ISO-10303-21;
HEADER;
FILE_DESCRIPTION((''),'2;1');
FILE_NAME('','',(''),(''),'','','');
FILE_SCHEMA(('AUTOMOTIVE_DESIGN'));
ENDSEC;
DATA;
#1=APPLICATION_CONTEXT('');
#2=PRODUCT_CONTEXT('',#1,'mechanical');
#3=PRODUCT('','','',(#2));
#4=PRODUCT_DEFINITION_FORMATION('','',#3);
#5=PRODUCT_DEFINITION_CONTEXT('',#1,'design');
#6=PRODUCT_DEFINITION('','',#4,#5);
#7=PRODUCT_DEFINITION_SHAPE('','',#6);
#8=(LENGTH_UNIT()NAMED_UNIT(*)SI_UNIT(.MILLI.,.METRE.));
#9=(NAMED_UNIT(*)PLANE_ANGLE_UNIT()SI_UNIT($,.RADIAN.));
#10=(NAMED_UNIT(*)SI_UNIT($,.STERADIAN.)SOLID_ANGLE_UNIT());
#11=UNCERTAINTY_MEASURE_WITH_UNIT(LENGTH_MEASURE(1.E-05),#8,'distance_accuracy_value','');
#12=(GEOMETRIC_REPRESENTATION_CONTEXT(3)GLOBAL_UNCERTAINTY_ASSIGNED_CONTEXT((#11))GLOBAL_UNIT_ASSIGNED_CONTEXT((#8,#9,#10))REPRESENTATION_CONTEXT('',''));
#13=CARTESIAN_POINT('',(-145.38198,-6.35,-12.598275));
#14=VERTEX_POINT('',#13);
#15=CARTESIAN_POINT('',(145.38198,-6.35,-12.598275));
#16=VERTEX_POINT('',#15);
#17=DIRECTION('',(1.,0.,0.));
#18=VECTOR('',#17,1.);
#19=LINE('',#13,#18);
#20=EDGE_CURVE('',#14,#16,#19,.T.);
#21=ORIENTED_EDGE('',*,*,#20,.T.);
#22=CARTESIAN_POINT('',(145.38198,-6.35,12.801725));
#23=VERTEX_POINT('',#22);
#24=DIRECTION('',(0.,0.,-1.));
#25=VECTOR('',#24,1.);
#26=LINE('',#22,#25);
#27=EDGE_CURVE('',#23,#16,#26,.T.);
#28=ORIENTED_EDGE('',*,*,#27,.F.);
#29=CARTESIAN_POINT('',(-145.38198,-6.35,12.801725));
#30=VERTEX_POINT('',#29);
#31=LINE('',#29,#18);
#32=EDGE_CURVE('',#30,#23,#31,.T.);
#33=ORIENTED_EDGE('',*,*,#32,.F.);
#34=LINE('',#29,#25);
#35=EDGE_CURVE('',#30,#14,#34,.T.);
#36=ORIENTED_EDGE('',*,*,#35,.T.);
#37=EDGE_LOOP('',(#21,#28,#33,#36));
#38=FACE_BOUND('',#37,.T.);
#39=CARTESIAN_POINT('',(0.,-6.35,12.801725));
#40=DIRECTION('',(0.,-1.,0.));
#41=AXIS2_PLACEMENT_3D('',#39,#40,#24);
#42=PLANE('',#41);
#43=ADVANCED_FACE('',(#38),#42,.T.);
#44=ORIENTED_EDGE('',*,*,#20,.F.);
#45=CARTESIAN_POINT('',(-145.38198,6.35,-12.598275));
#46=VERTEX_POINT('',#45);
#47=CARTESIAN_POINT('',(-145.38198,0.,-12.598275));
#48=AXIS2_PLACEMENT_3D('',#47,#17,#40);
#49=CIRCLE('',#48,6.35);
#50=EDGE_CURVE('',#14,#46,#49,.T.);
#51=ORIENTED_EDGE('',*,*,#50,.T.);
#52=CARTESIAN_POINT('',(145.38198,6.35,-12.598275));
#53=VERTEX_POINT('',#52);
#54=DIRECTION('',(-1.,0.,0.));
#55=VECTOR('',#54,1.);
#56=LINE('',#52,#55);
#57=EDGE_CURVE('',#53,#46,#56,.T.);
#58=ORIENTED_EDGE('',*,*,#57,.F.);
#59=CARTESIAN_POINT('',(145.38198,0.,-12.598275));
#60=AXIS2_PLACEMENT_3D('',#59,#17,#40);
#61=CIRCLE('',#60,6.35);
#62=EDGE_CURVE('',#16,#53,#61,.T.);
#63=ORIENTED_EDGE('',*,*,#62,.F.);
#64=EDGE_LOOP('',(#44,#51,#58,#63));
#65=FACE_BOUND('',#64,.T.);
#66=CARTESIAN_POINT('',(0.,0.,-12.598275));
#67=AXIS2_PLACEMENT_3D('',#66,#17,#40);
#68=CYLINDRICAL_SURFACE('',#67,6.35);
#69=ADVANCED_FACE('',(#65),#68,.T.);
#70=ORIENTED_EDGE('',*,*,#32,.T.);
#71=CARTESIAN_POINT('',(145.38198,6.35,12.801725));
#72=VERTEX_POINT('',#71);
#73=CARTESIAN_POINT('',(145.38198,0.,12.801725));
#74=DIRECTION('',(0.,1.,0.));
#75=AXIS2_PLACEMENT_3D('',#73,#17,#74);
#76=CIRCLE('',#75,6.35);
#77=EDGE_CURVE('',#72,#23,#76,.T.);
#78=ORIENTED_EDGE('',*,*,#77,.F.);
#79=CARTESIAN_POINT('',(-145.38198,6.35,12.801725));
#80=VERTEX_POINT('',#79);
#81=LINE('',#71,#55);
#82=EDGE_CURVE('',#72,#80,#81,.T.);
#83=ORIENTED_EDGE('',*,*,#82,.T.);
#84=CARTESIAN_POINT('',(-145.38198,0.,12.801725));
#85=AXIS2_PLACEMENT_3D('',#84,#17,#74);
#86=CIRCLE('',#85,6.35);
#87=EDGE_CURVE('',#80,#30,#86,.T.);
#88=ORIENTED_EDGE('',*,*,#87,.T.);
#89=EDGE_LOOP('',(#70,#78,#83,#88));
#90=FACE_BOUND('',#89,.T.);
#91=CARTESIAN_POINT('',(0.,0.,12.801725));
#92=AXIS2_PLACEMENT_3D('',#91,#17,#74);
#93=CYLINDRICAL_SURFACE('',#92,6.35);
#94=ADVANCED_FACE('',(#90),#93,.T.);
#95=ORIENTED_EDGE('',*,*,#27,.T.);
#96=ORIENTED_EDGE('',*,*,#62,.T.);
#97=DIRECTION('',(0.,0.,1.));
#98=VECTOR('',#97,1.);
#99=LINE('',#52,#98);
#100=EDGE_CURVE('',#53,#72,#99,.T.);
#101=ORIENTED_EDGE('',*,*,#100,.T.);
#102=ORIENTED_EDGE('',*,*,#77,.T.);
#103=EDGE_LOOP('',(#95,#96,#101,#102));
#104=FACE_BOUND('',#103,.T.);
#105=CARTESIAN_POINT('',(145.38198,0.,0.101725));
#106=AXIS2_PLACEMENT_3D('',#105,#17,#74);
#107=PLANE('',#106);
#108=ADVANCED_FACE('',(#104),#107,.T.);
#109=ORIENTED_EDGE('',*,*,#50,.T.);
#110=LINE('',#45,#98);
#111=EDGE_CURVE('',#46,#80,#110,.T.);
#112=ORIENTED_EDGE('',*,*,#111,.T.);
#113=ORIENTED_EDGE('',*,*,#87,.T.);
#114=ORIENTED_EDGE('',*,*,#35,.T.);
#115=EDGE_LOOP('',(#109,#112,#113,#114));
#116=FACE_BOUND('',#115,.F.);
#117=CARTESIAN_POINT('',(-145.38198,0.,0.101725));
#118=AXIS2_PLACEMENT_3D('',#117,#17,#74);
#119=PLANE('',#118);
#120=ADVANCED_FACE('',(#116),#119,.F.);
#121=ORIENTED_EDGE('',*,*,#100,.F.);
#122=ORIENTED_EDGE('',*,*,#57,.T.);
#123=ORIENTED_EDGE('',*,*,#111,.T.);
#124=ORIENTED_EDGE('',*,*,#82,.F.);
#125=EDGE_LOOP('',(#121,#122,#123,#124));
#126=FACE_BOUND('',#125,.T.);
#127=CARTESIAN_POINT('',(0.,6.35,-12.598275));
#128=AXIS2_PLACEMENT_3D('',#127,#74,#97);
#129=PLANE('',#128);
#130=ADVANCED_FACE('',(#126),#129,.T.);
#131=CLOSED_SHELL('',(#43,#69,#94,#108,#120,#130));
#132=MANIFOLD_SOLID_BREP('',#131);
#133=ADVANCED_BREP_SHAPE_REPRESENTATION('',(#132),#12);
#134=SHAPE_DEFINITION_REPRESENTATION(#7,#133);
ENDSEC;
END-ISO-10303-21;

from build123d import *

# Parameters (mm, degrees)
F1_DEPTH = 145.38198


with BuildPart() as f1:
    # F0 (on Right) → F1 (new body, symmetric)
    with BuildSketch(Plane.YZ):
        with BuildLine():
            ThreePointArc((6.35, 12.801725), (0, 19.151725), (-6.35, 12.801725))
            Line((-6.35, 12.801725), (-6.35, -12.598275))
            ThreePointArc((-6.35, -12.598275), (0, -18.948275), (6.35, -12.598275))
            Line((6.35, -12.598275), (6.35, 12.801725))
        make_face()
    extrude(amount=F1_DEPTH, both=True)


solid = f1.part
